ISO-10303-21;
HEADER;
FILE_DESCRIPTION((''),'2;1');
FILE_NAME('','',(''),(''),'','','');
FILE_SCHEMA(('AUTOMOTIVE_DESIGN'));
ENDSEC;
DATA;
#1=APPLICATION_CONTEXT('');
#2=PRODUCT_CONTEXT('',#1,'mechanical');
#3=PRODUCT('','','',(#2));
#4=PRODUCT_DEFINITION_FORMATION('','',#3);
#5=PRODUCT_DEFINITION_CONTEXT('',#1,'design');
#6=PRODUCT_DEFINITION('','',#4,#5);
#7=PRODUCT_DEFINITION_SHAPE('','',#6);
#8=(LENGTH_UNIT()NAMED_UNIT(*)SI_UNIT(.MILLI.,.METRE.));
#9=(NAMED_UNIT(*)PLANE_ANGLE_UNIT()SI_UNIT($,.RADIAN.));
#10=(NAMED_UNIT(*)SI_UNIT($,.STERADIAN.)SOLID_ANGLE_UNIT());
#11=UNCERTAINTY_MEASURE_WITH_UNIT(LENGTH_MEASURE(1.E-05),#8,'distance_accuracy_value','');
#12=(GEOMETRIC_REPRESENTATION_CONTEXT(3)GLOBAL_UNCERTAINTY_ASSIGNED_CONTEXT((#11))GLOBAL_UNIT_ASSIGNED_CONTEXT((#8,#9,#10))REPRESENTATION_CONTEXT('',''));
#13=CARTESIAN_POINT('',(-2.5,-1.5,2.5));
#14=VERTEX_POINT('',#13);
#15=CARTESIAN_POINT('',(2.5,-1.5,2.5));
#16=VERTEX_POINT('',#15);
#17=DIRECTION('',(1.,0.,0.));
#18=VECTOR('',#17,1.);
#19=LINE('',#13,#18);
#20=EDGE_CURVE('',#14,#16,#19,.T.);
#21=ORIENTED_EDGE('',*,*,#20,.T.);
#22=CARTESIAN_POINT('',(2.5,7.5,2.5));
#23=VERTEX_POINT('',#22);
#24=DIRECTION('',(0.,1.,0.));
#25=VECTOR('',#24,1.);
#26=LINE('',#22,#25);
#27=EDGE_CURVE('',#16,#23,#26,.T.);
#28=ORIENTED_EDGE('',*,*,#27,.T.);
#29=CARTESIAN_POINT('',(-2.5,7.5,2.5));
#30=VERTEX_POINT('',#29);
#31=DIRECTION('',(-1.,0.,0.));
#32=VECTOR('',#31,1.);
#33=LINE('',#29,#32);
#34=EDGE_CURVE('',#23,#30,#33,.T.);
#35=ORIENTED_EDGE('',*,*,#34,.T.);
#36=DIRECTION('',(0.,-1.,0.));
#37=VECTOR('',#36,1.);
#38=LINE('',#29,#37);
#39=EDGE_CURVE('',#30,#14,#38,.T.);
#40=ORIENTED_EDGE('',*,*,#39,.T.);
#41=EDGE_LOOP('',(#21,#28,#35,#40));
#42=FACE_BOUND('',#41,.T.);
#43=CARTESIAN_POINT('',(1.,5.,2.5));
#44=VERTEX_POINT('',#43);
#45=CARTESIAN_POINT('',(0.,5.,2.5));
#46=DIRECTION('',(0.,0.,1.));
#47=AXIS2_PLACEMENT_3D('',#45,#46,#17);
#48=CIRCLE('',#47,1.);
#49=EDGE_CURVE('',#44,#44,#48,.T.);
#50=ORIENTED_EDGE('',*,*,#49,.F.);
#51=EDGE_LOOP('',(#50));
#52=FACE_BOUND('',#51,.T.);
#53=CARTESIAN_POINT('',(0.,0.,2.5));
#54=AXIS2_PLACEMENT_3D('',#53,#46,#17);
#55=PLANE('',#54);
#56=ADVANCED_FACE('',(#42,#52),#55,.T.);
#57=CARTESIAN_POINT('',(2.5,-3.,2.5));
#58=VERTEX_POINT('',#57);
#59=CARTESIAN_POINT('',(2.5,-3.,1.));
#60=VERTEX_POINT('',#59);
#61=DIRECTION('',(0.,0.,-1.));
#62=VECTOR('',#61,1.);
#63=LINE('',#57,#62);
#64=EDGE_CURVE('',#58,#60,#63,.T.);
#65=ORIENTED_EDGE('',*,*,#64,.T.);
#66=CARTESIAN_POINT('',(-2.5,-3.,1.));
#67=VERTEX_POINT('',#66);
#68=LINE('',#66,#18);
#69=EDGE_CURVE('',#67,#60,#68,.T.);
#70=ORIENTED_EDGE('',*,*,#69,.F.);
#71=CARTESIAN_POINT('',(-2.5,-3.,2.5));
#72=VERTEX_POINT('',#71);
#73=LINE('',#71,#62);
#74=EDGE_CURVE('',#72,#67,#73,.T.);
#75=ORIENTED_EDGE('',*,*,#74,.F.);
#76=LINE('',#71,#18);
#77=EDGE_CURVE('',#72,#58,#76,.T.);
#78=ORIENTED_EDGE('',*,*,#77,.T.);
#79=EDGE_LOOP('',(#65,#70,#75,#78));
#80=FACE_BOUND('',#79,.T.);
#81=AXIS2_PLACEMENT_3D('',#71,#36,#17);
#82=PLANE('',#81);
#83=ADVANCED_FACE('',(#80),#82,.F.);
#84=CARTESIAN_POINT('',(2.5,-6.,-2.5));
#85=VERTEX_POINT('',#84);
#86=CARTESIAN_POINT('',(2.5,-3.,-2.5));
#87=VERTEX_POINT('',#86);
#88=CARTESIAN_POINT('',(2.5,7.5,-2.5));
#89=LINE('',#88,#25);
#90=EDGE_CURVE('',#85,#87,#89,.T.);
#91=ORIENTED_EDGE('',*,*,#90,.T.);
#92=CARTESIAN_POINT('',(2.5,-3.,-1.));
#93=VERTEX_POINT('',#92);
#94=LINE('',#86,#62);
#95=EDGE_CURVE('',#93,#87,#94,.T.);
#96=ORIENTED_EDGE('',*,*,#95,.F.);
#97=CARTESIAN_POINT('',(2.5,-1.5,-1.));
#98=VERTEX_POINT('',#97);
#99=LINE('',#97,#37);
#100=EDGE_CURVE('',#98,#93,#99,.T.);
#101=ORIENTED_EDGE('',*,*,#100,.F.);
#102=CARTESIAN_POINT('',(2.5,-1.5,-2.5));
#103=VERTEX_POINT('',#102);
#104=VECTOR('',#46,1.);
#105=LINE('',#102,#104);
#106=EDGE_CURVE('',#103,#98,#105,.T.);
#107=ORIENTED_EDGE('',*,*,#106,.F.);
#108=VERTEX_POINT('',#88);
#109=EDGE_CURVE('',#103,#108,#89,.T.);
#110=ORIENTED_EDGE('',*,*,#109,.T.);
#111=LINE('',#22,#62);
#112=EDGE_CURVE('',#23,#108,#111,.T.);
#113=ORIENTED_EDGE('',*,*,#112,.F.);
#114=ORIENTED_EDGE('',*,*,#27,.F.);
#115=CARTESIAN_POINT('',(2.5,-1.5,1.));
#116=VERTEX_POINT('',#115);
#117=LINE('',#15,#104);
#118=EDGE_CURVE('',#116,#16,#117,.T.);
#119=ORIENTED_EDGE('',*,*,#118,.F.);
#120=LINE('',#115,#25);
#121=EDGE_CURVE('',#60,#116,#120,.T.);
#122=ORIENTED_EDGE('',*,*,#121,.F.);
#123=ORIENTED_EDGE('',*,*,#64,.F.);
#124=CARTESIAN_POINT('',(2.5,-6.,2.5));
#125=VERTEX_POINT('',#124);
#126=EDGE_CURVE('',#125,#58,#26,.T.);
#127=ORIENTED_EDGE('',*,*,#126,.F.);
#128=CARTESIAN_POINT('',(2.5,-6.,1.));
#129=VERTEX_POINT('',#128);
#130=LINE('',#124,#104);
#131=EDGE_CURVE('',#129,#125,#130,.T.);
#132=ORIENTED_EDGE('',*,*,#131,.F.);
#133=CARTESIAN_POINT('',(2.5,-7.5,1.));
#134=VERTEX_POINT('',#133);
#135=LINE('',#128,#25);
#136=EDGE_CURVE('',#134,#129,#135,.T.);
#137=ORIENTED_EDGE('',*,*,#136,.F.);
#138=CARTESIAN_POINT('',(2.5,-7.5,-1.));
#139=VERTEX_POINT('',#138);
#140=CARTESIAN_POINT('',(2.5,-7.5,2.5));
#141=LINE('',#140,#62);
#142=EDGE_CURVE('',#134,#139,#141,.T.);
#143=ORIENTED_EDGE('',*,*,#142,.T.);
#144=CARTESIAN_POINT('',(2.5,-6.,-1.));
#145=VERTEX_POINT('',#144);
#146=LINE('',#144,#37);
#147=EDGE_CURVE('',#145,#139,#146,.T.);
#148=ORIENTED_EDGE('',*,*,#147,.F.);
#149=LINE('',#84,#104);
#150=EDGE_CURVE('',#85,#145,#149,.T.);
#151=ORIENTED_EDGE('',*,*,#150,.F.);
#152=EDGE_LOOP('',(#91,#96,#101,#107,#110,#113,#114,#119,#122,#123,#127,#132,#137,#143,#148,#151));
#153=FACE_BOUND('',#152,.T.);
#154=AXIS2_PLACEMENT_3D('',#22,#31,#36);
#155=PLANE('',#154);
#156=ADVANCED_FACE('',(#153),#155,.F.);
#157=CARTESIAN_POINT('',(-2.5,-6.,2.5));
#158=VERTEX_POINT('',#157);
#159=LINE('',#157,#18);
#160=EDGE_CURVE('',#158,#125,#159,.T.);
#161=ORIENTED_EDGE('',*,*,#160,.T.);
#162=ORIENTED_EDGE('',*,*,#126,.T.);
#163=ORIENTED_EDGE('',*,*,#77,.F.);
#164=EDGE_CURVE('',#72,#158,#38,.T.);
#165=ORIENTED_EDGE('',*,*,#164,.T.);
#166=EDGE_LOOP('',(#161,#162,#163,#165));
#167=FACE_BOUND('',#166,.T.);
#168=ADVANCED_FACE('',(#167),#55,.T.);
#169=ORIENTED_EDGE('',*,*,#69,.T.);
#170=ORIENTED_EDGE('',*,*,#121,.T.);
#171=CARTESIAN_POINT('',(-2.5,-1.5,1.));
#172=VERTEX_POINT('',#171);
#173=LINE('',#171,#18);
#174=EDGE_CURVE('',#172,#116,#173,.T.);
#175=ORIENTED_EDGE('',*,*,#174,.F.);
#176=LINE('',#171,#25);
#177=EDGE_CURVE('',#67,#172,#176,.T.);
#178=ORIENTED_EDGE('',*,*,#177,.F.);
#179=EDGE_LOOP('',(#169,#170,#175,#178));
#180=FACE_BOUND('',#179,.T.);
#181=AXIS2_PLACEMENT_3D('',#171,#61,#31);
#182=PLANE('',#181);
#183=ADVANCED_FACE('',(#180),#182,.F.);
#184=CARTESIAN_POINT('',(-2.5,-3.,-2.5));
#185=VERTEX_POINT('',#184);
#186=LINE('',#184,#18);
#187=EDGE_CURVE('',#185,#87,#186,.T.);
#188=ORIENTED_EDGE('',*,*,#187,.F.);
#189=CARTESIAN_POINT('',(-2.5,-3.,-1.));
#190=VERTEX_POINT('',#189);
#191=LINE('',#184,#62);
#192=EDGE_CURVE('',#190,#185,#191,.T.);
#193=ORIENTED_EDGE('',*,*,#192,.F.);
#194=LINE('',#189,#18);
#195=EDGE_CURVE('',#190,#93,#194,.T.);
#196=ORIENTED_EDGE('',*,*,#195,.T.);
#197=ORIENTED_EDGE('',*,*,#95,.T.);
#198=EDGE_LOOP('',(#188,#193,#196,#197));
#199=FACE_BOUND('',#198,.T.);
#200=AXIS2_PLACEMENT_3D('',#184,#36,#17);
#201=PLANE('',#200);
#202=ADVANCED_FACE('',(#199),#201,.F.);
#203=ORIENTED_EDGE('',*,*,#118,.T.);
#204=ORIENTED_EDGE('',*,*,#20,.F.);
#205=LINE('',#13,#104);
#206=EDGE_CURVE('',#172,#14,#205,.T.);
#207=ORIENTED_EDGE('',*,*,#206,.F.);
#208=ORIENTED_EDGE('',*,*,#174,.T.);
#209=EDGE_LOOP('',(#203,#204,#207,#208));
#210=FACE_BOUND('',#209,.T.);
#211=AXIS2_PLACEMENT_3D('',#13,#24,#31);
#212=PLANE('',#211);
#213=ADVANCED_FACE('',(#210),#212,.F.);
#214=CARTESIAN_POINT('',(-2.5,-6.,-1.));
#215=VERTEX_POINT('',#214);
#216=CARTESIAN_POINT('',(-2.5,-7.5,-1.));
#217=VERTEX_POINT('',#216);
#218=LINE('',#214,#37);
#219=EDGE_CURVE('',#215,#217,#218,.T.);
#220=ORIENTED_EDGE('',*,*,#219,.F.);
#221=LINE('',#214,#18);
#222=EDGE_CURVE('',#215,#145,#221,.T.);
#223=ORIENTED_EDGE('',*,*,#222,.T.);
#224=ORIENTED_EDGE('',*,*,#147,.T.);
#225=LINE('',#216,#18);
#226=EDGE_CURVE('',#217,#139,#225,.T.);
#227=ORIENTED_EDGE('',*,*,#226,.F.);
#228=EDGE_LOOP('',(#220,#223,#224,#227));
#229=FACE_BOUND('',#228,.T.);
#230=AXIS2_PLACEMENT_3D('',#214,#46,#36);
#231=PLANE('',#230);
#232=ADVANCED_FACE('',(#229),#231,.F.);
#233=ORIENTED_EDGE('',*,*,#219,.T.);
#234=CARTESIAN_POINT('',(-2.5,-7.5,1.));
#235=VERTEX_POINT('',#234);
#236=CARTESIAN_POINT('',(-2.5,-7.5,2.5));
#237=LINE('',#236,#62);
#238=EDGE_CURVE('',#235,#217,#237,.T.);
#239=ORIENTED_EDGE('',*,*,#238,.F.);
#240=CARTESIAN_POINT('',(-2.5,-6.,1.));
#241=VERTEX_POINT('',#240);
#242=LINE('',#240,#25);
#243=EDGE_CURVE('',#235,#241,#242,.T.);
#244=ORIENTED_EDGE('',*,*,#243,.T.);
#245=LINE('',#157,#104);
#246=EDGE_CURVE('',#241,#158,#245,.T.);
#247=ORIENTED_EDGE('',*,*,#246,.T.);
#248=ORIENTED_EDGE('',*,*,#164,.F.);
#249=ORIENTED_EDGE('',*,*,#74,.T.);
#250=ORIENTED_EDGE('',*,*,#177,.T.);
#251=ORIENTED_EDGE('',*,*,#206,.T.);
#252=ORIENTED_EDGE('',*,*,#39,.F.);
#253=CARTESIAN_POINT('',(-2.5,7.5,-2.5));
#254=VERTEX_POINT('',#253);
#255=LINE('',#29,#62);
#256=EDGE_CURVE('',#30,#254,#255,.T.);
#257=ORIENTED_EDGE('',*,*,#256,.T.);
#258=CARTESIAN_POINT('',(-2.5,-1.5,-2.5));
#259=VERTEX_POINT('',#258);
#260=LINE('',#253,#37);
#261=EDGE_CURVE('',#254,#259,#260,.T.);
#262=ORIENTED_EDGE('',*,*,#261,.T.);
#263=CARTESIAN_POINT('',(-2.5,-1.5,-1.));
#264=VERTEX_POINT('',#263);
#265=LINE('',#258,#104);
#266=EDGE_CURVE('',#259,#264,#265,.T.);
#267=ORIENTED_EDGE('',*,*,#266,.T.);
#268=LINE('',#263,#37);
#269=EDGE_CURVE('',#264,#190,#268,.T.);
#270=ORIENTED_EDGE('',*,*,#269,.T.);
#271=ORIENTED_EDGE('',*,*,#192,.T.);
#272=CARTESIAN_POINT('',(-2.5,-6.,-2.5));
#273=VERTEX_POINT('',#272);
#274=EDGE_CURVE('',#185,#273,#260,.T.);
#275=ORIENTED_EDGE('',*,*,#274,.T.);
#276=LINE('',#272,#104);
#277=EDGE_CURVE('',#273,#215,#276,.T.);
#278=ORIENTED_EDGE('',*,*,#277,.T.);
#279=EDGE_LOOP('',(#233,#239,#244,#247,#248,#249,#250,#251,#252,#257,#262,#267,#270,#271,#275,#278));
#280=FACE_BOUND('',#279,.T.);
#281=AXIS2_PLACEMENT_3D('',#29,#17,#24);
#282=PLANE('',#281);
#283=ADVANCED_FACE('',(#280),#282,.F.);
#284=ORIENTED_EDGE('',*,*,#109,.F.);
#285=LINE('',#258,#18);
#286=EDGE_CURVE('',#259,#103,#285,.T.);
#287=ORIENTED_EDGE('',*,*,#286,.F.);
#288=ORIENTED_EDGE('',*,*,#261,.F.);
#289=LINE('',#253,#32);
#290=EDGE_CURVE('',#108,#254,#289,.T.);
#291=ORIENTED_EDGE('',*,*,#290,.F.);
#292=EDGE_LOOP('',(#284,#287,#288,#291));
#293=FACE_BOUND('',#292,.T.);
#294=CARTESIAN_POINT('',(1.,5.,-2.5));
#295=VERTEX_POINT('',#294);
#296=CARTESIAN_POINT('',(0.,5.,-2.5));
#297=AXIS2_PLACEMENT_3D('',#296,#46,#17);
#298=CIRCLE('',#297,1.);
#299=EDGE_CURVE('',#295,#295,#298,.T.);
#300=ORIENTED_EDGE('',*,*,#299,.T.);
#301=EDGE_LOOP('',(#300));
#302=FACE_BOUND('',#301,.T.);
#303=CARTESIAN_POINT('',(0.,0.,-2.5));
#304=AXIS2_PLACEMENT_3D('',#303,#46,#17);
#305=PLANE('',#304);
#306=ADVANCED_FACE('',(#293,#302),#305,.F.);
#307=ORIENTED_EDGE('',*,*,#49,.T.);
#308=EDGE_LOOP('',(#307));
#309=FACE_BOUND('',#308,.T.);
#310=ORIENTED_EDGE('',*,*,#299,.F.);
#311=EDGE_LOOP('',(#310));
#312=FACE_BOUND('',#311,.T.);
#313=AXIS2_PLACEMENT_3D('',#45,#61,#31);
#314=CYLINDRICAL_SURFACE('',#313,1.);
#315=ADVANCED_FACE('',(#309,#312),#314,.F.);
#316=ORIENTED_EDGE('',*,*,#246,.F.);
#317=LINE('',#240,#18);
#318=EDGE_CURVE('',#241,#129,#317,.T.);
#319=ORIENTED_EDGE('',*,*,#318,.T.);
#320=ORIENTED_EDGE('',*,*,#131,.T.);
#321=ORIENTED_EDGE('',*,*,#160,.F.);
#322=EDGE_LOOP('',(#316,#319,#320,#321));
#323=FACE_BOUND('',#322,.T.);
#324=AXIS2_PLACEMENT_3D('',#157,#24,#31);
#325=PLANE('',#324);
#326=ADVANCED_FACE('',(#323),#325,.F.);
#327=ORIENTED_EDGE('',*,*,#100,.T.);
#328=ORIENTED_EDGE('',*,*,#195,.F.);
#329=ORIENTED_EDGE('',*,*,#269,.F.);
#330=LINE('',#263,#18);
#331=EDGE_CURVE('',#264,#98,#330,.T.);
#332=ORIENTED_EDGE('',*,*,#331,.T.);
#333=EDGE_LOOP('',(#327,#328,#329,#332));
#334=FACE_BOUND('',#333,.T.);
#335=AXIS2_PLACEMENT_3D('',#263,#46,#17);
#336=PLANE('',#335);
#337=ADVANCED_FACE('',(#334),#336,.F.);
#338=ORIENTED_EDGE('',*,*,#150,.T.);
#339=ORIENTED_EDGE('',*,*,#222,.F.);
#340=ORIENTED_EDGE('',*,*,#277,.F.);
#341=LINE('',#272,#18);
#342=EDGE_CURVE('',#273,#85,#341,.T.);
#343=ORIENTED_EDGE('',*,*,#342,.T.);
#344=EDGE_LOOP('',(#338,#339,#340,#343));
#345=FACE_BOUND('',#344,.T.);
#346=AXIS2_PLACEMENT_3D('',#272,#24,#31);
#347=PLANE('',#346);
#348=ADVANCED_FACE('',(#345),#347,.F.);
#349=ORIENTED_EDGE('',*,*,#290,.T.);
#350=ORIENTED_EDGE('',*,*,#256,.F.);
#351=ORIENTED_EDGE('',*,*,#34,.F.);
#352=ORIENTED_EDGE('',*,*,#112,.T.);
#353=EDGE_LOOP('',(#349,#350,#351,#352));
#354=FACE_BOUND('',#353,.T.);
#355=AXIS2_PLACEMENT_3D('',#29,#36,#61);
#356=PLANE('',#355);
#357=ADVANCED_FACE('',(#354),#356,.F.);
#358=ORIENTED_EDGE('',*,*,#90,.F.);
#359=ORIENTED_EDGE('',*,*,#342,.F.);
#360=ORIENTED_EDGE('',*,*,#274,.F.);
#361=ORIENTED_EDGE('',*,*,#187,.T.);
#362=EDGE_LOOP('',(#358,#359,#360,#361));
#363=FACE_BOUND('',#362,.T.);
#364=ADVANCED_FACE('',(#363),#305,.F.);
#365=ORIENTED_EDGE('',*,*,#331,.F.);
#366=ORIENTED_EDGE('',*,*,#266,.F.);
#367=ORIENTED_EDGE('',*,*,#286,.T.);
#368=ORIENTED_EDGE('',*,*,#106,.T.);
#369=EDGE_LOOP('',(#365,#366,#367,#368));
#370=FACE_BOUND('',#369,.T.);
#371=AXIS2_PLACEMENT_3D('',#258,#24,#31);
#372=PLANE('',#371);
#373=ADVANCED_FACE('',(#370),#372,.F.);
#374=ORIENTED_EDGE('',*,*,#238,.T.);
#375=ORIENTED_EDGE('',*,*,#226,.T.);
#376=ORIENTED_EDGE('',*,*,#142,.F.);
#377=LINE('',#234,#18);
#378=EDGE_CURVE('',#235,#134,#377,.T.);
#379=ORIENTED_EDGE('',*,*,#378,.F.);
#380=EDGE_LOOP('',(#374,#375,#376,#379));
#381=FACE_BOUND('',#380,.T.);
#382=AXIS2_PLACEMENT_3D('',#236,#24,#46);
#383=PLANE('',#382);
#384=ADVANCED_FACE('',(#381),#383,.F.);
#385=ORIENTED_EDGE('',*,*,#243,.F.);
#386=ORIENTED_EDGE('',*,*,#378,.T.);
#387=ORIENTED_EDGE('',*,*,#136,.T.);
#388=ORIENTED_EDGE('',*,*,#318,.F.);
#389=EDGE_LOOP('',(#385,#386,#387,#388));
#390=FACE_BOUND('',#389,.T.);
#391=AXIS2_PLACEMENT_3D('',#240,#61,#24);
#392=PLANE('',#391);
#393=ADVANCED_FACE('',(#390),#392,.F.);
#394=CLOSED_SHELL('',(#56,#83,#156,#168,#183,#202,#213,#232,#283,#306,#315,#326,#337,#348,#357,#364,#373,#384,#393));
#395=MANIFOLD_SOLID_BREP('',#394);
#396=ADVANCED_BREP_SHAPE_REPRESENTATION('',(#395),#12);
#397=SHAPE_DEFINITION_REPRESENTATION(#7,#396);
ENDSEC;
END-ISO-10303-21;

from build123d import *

# Parameters (mm, degrees)
SKETCH2_W           = 5
SKETCH2_H           = 15
SKETCH2_R           = 1
BOSS_EXTRUDE1_DEPTH = 2.5
SKETCH3_W           = 1.5
SKETCH3_H           = 1.5
CUT_EXTRUDE1_DEPTH  = 10.354143467


with BuildPart() as part:
    # Sketch2 → Boss-Extrude1 (new, symmetric)
    with BuildSketch(Plane.XY):
        Rectangle(SKETCH2_W, SKETCH2_H)
        with Locations((0, 5)):
            Circle(SKETCH2_R, mode=Mode.SUBTRACT)
    extrude(amount=BOSS_EXTRUDE1_DEPTH, both=True)

    # Sketch3 → Cut-Extrude1 (cut, through all)
    with BuildSketch(Plane(origin=(2.5, 0, 0), x_dir=(0, 0, -1), z_dir=(1, 0, 0))):
        with Locations((-1.75, -2.25)):
            Rectangle(SKETCH3_W, SKETCH3_H)
        with Locations((-1.75, -6.75)):
            Rectangle(SKETCH3_W, SKETCH3_H)
        with Locations((1.75, -6.75)):
            Rectangle(SKETCH3_W, SKETCH3_H)
        with Locations((1.75, -2.25)):
            Rectangle(SKETCH3_W, SKETCH3_H)
    extrude(amount=-CUT_EXTRUDE1_DEPTH, mode=Mode.SUBTRACT)


solid = part.part
